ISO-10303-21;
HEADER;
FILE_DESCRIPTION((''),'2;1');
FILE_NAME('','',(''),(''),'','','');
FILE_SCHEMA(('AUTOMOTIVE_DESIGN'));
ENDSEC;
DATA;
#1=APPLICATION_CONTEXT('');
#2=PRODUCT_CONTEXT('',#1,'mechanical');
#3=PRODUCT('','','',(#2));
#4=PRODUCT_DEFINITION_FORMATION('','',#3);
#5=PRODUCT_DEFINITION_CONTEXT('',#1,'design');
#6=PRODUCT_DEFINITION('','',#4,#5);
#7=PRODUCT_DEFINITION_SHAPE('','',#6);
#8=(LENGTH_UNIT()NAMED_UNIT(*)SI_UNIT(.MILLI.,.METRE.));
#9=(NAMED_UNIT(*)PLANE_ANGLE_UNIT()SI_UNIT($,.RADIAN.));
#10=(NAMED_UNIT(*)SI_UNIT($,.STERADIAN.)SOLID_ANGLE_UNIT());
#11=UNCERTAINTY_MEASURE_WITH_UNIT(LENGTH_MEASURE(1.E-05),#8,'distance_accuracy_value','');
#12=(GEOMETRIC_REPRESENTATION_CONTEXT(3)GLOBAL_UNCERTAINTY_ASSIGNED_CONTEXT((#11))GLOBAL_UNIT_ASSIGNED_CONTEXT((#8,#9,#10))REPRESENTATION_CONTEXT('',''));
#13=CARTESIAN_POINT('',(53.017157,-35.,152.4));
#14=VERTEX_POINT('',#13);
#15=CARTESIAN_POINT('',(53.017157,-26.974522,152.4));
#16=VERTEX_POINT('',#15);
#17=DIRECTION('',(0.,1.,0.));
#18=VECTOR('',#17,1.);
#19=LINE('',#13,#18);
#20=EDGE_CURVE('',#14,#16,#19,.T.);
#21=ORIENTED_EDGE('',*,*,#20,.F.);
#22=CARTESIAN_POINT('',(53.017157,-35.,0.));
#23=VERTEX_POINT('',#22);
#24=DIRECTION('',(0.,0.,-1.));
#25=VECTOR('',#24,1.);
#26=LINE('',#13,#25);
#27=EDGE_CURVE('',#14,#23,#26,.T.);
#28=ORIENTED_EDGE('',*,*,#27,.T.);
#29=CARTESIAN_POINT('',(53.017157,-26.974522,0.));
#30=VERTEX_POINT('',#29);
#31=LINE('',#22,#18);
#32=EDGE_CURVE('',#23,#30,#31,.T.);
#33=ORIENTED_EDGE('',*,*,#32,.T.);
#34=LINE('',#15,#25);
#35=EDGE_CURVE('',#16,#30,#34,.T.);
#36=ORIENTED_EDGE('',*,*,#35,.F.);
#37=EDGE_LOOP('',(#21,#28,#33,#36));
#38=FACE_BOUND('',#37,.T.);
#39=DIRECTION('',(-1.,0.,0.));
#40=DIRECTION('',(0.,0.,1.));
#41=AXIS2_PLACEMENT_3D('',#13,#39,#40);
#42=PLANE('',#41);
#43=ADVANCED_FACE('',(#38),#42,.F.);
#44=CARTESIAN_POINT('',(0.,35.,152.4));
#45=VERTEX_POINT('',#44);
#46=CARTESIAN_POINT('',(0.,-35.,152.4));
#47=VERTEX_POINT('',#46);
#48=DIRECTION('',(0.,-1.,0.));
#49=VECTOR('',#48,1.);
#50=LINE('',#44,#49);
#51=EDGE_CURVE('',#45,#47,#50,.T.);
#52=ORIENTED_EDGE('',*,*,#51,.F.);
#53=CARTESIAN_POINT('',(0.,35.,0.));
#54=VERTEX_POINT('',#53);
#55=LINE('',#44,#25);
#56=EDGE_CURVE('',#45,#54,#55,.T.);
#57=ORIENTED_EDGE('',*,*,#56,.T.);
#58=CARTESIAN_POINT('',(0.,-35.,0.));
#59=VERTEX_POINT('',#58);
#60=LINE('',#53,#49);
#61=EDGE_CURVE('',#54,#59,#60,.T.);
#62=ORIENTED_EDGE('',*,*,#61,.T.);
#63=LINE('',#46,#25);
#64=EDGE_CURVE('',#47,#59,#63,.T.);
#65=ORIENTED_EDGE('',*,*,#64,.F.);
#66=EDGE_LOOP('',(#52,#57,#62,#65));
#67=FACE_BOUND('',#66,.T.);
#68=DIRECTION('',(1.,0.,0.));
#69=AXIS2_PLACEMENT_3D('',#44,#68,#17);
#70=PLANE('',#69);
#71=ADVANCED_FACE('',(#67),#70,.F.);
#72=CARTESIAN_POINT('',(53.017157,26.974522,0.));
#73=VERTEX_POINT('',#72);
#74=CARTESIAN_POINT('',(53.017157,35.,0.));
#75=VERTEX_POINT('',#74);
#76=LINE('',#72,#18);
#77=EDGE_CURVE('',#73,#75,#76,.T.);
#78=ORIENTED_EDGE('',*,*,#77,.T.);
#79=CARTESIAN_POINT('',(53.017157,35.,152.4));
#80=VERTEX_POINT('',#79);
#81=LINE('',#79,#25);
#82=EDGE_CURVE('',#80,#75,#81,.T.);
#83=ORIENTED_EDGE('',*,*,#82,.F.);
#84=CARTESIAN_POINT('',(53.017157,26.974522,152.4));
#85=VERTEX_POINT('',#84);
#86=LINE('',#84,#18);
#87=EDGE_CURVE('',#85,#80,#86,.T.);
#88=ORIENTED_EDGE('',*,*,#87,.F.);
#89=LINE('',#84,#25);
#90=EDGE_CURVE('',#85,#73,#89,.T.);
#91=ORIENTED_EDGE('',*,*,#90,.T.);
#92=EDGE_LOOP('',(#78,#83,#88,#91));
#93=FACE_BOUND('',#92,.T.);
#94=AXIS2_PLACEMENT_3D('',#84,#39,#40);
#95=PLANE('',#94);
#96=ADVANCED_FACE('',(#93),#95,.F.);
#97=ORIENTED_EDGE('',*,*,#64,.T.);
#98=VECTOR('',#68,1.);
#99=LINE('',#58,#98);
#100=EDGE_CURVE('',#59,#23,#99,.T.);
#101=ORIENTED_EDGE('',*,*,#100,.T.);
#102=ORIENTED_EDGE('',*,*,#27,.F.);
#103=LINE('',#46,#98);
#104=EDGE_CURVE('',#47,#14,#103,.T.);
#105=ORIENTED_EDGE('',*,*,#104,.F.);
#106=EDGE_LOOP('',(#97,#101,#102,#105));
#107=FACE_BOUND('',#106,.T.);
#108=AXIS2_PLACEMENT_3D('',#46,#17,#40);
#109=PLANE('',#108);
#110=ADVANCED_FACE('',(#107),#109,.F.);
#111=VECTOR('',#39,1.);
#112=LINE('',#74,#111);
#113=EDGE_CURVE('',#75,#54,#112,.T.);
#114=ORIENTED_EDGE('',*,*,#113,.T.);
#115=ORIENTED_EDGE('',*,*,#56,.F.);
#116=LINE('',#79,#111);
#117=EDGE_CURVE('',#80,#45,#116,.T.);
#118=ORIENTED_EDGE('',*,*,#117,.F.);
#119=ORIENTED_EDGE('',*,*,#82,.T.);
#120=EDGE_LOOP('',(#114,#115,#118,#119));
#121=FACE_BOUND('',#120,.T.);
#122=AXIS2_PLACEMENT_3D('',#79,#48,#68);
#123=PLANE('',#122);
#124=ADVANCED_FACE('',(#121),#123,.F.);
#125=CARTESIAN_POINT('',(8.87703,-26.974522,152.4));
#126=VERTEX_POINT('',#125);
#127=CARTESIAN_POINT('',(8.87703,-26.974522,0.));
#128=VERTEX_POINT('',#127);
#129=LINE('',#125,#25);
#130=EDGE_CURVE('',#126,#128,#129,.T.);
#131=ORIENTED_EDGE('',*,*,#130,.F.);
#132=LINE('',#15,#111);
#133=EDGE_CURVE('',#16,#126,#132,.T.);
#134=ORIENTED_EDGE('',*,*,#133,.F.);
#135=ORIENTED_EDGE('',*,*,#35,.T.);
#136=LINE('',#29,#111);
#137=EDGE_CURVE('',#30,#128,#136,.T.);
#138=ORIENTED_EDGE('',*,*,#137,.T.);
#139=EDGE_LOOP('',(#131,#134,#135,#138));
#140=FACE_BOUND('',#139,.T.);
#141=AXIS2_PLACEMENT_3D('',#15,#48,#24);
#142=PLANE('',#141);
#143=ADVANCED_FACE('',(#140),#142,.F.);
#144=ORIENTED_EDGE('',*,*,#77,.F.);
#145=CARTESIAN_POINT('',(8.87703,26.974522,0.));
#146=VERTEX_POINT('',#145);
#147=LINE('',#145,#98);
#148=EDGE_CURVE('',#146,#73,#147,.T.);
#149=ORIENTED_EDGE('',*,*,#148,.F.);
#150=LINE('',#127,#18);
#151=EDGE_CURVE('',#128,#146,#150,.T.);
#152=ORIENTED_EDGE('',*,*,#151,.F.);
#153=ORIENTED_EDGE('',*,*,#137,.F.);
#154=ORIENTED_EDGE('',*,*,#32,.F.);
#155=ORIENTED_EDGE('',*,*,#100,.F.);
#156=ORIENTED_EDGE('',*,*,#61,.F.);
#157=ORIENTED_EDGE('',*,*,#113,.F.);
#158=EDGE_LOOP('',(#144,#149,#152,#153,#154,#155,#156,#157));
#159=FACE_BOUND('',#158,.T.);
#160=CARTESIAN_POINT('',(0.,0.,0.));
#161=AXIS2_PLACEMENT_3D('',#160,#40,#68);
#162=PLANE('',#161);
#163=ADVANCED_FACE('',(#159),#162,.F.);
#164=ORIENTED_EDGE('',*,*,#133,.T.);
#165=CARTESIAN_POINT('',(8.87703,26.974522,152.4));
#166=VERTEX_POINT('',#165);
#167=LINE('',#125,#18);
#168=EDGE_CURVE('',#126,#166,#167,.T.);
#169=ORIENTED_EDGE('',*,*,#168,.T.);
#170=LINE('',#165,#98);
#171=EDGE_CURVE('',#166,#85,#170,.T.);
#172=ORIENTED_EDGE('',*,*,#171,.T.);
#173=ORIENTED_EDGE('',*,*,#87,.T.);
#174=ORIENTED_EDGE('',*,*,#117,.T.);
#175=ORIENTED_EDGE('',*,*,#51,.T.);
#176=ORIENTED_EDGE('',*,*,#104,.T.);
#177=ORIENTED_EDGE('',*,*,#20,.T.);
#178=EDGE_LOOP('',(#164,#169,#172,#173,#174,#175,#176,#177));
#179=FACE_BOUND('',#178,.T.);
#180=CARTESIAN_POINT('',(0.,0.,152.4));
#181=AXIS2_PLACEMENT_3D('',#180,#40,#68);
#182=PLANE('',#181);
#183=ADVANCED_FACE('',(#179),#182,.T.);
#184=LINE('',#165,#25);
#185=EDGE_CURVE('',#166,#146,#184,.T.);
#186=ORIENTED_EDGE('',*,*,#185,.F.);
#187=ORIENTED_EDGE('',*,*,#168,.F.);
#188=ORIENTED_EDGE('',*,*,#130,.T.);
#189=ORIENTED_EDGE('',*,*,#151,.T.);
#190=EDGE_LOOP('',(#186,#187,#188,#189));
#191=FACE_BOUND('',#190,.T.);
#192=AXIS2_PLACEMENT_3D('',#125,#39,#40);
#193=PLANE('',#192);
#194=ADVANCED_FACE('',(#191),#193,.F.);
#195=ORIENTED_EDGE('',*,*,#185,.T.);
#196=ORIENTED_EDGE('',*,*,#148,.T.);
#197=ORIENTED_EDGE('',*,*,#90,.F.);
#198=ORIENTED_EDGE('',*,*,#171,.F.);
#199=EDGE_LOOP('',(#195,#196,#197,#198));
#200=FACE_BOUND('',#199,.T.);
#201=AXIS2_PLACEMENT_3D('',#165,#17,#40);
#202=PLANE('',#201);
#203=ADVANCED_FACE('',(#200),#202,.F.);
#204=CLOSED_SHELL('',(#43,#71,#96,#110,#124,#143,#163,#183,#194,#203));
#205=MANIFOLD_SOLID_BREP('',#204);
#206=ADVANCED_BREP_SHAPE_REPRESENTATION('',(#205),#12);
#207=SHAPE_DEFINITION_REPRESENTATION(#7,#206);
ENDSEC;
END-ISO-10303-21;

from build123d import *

# Parameters (mm, degrees)
BOSS_EXTRUDE1_DEPTH = 152.4


with BuildPart() as part:
    # Sketch1 → Boss-Extrude1 (new body)
    with BuildSketch(Plane.XY):
        Polygon((0, 35), (0, -35), (53.017157285, -35), (53.017157285, -26.974522293), (8.877029896, -26.974522293), (8.877029896, 26.974522293), (53.017157285, 26.974522293), (53.017157285, 35), align=None)
    extrude(amount=BOSS_EXTRUDE1_DEPTH)


solid = part.part
